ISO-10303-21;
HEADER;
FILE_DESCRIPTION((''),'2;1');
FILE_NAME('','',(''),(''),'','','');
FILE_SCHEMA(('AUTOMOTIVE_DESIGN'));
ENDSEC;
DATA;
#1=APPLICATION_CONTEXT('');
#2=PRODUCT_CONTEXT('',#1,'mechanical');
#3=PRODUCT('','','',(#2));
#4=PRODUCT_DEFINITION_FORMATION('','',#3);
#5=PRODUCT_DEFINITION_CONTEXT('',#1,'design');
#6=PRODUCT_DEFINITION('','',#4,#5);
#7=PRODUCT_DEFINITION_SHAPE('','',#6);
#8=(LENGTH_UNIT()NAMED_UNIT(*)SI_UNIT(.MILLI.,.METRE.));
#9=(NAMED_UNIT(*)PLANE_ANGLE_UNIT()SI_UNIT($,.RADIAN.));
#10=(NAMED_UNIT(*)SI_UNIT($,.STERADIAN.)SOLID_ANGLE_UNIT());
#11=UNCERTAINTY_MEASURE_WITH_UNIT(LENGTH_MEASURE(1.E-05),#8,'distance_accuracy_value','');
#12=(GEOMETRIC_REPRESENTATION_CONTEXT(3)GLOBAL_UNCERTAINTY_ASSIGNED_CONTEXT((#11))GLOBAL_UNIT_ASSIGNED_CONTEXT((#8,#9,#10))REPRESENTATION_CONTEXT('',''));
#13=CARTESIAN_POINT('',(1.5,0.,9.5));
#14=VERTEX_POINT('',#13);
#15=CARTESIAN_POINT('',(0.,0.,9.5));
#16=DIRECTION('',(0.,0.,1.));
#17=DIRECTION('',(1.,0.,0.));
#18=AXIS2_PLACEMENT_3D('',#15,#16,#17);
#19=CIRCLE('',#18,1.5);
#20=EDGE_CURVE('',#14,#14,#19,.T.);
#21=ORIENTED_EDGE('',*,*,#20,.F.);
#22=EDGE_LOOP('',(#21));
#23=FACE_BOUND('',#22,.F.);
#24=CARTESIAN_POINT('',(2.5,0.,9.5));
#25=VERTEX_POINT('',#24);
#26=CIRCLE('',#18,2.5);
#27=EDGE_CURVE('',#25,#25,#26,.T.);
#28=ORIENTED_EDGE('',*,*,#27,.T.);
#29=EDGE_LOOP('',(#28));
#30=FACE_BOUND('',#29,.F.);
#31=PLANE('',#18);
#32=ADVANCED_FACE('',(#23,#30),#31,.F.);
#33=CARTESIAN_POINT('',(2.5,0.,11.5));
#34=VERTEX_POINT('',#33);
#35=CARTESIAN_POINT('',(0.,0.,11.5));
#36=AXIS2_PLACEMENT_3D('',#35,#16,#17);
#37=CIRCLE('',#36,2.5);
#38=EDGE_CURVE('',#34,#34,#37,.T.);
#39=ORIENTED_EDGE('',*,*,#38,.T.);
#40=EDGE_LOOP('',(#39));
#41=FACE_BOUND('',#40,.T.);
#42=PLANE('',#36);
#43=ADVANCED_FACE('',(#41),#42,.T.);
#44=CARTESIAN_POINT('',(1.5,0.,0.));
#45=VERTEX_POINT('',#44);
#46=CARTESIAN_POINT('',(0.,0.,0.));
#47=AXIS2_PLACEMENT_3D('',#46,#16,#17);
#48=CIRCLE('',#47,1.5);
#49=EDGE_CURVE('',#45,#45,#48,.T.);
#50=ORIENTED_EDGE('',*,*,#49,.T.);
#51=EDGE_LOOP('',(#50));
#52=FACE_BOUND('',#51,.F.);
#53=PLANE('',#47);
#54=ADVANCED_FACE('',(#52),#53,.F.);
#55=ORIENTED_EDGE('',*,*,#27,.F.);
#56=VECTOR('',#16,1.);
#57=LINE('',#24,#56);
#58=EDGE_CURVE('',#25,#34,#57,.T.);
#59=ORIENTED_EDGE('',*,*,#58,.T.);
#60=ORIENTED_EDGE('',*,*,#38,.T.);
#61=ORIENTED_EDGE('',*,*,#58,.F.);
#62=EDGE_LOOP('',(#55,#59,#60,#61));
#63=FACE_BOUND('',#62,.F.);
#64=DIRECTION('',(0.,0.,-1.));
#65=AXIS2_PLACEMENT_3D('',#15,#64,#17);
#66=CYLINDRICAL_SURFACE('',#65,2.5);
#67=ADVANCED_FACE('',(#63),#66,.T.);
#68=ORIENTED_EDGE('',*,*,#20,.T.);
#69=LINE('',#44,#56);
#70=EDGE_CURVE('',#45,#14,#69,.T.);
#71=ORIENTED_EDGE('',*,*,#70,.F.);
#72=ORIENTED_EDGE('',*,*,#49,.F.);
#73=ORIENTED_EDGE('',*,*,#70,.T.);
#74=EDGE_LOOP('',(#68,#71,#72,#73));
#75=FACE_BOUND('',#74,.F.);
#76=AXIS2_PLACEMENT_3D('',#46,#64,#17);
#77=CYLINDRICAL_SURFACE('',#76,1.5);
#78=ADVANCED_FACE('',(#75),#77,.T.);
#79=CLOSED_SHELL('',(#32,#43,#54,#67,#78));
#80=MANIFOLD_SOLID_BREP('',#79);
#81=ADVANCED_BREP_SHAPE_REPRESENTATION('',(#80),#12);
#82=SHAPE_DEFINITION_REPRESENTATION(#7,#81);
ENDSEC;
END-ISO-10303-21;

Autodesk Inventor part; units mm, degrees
ref_plane "YZ Plane" through (0, 0, 0) normal (1, 0, 0) x (0, 1, 0)
ref_plane "XZ Plane" through (0, 0, 0) normal (0, 1, 0) x (-1, 0, 0)
ref_plane "XY Plane" through (0, 0, 0) normal (0, 0, 1) x (1, 0, 0)
sketch "Эскиз1" plane through (0, 0, 0) normal (0, 0, 1) x (1, 0, 0)
  circle A0 centre (0, 0) radius 1.5
  dimension "d0" = 3
extrude "Выдавливание1" add sketch "Эскиз1" along normal blind 9.5
sketch "Эскиз2" plane through (0, 0, 9.5) normal (0, 0, 1) x (1, 0, 0)
  circle A0 centre (0, 0) radius 2.5
  dimension "d3" = 5
extrude "Выдавливание2" add sketch "Эскиз2" along normal blind 2
properties part number "m3x9.5"
